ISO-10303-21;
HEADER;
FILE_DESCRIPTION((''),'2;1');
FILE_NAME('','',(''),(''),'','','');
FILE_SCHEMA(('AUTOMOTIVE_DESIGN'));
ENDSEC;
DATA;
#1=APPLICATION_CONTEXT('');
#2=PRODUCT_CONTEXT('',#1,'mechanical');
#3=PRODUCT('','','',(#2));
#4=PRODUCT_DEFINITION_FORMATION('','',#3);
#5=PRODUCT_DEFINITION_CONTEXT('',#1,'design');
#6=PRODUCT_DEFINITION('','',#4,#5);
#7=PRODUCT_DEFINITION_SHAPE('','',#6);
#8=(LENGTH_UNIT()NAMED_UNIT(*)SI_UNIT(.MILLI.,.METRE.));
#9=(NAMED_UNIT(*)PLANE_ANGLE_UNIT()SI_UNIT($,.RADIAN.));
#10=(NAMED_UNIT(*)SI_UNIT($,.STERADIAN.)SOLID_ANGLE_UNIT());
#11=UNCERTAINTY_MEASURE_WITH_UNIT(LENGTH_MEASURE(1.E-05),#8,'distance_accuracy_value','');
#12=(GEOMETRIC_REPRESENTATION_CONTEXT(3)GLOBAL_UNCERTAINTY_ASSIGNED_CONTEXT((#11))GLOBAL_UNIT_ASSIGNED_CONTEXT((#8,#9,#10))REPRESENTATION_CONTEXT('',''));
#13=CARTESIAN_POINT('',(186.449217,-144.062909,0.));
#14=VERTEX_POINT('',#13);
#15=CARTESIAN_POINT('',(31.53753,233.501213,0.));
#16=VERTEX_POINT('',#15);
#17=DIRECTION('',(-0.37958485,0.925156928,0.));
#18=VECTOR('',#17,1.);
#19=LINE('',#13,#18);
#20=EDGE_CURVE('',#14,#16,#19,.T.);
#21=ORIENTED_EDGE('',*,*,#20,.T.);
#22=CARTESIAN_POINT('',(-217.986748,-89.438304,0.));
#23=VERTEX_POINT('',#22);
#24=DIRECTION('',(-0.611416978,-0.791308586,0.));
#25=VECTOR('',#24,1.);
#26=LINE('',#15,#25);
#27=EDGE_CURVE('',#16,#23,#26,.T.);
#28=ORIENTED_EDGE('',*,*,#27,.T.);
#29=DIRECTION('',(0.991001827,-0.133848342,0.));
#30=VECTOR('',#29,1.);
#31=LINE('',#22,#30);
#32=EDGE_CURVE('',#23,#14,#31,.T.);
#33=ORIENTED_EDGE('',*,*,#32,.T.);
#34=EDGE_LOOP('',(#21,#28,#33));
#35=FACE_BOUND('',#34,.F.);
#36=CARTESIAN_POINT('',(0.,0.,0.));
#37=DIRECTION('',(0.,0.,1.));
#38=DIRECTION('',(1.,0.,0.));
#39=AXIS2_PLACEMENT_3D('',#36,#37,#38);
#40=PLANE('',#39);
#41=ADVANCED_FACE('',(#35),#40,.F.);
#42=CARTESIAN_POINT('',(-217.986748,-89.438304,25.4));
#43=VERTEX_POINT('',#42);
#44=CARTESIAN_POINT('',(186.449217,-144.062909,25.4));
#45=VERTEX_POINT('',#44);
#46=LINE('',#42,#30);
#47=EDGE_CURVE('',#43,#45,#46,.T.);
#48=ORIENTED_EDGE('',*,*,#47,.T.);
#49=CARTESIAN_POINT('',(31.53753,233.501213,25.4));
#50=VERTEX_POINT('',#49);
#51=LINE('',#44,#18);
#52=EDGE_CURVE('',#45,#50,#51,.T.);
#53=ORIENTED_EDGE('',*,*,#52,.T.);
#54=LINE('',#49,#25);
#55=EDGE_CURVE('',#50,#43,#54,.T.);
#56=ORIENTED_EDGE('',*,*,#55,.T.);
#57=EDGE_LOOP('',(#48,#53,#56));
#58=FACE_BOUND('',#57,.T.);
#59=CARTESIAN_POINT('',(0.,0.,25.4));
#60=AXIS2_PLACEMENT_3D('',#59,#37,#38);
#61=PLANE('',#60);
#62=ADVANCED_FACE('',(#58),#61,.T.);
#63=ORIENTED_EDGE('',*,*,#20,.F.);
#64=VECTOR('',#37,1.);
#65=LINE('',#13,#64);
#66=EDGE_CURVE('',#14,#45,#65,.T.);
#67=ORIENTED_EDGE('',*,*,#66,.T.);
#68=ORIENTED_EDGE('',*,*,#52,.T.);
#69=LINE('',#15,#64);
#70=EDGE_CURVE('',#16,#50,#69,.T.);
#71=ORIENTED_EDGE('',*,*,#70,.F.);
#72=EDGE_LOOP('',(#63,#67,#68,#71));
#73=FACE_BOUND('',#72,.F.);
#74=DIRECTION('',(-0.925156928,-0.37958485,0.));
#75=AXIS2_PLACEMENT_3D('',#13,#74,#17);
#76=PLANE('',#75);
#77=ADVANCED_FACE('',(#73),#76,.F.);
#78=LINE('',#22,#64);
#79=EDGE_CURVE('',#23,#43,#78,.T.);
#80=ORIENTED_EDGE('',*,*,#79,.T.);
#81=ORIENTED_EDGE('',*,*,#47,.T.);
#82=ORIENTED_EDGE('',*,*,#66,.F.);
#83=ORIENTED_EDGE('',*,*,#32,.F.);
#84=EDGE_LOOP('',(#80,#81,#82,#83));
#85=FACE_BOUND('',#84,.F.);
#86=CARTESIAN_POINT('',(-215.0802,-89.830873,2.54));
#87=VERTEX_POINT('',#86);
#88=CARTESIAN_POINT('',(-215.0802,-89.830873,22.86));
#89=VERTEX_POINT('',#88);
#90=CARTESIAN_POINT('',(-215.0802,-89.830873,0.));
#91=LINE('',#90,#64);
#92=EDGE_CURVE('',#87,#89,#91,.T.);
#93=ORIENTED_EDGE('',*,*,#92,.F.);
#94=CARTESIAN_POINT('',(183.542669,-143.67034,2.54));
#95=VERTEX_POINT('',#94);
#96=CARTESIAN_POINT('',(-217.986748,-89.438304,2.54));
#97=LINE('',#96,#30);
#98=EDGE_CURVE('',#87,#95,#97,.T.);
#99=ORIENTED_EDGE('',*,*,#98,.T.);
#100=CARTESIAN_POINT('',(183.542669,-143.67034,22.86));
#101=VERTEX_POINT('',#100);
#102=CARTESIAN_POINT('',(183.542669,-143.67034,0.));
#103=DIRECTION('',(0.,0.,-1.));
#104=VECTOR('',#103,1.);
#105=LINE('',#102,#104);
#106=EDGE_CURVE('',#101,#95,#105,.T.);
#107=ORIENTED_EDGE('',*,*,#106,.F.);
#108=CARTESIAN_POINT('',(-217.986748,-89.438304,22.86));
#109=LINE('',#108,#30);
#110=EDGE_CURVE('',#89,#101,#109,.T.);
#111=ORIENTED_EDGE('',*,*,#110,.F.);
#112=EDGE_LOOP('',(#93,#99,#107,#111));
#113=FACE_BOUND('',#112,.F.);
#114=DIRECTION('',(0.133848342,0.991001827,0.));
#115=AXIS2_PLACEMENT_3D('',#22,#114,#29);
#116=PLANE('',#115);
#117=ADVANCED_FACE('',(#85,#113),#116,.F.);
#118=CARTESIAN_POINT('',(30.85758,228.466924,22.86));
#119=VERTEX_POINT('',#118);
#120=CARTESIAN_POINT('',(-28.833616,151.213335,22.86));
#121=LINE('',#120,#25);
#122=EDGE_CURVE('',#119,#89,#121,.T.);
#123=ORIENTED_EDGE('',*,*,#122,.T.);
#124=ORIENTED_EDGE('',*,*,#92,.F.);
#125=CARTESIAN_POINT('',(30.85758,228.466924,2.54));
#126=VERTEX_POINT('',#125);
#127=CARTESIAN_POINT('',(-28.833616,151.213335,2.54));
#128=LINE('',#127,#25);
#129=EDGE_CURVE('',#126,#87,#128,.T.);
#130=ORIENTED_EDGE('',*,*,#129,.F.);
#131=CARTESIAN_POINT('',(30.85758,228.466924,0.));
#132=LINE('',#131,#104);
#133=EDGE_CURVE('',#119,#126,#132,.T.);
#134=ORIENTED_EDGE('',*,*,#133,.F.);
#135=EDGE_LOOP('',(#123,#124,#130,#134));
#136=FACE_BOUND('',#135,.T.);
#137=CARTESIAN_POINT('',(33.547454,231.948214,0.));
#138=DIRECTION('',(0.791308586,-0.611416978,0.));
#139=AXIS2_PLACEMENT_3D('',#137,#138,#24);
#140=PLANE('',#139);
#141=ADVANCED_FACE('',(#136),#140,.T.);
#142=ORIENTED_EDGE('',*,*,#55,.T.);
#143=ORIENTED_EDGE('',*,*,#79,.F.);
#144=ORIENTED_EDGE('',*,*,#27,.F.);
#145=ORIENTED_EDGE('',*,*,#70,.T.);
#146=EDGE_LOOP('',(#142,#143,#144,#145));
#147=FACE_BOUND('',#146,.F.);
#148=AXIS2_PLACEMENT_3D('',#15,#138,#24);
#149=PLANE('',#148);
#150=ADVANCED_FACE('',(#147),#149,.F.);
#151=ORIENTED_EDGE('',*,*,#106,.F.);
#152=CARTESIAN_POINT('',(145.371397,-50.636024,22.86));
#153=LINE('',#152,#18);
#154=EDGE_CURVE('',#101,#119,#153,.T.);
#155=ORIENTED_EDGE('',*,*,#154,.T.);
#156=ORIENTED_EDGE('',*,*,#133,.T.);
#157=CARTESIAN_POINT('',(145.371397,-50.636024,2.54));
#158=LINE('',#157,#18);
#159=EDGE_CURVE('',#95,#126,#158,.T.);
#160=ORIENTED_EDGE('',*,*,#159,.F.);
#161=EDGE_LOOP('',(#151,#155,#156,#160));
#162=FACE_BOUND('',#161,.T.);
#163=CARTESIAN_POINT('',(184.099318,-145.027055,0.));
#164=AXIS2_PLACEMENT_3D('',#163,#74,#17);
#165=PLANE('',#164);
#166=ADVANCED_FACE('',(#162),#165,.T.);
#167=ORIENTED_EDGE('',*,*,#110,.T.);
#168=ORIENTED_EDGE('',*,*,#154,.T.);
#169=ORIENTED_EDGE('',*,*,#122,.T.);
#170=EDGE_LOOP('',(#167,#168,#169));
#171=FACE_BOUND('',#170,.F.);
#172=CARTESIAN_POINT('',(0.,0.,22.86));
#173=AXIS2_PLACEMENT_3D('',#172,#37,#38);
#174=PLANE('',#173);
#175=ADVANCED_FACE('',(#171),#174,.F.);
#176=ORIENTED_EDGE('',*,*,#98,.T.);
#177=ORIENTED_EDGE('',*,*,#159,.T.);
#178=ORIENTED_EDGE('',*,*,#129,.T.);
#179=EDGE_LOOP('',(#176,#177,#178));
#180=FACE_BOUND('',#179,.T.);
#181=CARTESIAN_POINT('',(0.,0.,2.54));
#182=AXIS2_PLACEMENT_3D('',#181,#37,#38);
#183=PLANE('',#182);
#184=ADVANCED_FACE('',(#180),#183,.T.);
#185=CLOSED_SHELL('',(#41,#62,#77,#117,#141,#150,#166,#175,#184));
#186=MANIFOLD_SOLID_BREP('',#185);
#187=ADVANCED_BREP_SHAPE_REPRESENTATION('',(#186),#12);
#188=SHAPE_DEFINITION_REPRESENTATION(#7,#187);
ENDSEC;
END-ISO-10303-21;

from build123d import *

# Parameters (mm, degrees)
F1_DEPTH = 25.4
F2_T     = -2.54


with BuildPart() as f1:
    # F0 (on Top) → F1 (new body)
    with BuildSketch(Plane.XY):
        Polygon((186.449217, -144.062909), (31.53753, 233.501213), (-217.986748, -89.438304), align=None)
    extrude(amount=F1_DEPTH)

    # F2
    f2_openings = [f1.faces().sort_by_distance(p)[0] for p in [
        (-15.768765, -116.750607, 12.7),
    ]]
    offset(amount=F2_T, openings=f2_openings)


solid = f1.part
